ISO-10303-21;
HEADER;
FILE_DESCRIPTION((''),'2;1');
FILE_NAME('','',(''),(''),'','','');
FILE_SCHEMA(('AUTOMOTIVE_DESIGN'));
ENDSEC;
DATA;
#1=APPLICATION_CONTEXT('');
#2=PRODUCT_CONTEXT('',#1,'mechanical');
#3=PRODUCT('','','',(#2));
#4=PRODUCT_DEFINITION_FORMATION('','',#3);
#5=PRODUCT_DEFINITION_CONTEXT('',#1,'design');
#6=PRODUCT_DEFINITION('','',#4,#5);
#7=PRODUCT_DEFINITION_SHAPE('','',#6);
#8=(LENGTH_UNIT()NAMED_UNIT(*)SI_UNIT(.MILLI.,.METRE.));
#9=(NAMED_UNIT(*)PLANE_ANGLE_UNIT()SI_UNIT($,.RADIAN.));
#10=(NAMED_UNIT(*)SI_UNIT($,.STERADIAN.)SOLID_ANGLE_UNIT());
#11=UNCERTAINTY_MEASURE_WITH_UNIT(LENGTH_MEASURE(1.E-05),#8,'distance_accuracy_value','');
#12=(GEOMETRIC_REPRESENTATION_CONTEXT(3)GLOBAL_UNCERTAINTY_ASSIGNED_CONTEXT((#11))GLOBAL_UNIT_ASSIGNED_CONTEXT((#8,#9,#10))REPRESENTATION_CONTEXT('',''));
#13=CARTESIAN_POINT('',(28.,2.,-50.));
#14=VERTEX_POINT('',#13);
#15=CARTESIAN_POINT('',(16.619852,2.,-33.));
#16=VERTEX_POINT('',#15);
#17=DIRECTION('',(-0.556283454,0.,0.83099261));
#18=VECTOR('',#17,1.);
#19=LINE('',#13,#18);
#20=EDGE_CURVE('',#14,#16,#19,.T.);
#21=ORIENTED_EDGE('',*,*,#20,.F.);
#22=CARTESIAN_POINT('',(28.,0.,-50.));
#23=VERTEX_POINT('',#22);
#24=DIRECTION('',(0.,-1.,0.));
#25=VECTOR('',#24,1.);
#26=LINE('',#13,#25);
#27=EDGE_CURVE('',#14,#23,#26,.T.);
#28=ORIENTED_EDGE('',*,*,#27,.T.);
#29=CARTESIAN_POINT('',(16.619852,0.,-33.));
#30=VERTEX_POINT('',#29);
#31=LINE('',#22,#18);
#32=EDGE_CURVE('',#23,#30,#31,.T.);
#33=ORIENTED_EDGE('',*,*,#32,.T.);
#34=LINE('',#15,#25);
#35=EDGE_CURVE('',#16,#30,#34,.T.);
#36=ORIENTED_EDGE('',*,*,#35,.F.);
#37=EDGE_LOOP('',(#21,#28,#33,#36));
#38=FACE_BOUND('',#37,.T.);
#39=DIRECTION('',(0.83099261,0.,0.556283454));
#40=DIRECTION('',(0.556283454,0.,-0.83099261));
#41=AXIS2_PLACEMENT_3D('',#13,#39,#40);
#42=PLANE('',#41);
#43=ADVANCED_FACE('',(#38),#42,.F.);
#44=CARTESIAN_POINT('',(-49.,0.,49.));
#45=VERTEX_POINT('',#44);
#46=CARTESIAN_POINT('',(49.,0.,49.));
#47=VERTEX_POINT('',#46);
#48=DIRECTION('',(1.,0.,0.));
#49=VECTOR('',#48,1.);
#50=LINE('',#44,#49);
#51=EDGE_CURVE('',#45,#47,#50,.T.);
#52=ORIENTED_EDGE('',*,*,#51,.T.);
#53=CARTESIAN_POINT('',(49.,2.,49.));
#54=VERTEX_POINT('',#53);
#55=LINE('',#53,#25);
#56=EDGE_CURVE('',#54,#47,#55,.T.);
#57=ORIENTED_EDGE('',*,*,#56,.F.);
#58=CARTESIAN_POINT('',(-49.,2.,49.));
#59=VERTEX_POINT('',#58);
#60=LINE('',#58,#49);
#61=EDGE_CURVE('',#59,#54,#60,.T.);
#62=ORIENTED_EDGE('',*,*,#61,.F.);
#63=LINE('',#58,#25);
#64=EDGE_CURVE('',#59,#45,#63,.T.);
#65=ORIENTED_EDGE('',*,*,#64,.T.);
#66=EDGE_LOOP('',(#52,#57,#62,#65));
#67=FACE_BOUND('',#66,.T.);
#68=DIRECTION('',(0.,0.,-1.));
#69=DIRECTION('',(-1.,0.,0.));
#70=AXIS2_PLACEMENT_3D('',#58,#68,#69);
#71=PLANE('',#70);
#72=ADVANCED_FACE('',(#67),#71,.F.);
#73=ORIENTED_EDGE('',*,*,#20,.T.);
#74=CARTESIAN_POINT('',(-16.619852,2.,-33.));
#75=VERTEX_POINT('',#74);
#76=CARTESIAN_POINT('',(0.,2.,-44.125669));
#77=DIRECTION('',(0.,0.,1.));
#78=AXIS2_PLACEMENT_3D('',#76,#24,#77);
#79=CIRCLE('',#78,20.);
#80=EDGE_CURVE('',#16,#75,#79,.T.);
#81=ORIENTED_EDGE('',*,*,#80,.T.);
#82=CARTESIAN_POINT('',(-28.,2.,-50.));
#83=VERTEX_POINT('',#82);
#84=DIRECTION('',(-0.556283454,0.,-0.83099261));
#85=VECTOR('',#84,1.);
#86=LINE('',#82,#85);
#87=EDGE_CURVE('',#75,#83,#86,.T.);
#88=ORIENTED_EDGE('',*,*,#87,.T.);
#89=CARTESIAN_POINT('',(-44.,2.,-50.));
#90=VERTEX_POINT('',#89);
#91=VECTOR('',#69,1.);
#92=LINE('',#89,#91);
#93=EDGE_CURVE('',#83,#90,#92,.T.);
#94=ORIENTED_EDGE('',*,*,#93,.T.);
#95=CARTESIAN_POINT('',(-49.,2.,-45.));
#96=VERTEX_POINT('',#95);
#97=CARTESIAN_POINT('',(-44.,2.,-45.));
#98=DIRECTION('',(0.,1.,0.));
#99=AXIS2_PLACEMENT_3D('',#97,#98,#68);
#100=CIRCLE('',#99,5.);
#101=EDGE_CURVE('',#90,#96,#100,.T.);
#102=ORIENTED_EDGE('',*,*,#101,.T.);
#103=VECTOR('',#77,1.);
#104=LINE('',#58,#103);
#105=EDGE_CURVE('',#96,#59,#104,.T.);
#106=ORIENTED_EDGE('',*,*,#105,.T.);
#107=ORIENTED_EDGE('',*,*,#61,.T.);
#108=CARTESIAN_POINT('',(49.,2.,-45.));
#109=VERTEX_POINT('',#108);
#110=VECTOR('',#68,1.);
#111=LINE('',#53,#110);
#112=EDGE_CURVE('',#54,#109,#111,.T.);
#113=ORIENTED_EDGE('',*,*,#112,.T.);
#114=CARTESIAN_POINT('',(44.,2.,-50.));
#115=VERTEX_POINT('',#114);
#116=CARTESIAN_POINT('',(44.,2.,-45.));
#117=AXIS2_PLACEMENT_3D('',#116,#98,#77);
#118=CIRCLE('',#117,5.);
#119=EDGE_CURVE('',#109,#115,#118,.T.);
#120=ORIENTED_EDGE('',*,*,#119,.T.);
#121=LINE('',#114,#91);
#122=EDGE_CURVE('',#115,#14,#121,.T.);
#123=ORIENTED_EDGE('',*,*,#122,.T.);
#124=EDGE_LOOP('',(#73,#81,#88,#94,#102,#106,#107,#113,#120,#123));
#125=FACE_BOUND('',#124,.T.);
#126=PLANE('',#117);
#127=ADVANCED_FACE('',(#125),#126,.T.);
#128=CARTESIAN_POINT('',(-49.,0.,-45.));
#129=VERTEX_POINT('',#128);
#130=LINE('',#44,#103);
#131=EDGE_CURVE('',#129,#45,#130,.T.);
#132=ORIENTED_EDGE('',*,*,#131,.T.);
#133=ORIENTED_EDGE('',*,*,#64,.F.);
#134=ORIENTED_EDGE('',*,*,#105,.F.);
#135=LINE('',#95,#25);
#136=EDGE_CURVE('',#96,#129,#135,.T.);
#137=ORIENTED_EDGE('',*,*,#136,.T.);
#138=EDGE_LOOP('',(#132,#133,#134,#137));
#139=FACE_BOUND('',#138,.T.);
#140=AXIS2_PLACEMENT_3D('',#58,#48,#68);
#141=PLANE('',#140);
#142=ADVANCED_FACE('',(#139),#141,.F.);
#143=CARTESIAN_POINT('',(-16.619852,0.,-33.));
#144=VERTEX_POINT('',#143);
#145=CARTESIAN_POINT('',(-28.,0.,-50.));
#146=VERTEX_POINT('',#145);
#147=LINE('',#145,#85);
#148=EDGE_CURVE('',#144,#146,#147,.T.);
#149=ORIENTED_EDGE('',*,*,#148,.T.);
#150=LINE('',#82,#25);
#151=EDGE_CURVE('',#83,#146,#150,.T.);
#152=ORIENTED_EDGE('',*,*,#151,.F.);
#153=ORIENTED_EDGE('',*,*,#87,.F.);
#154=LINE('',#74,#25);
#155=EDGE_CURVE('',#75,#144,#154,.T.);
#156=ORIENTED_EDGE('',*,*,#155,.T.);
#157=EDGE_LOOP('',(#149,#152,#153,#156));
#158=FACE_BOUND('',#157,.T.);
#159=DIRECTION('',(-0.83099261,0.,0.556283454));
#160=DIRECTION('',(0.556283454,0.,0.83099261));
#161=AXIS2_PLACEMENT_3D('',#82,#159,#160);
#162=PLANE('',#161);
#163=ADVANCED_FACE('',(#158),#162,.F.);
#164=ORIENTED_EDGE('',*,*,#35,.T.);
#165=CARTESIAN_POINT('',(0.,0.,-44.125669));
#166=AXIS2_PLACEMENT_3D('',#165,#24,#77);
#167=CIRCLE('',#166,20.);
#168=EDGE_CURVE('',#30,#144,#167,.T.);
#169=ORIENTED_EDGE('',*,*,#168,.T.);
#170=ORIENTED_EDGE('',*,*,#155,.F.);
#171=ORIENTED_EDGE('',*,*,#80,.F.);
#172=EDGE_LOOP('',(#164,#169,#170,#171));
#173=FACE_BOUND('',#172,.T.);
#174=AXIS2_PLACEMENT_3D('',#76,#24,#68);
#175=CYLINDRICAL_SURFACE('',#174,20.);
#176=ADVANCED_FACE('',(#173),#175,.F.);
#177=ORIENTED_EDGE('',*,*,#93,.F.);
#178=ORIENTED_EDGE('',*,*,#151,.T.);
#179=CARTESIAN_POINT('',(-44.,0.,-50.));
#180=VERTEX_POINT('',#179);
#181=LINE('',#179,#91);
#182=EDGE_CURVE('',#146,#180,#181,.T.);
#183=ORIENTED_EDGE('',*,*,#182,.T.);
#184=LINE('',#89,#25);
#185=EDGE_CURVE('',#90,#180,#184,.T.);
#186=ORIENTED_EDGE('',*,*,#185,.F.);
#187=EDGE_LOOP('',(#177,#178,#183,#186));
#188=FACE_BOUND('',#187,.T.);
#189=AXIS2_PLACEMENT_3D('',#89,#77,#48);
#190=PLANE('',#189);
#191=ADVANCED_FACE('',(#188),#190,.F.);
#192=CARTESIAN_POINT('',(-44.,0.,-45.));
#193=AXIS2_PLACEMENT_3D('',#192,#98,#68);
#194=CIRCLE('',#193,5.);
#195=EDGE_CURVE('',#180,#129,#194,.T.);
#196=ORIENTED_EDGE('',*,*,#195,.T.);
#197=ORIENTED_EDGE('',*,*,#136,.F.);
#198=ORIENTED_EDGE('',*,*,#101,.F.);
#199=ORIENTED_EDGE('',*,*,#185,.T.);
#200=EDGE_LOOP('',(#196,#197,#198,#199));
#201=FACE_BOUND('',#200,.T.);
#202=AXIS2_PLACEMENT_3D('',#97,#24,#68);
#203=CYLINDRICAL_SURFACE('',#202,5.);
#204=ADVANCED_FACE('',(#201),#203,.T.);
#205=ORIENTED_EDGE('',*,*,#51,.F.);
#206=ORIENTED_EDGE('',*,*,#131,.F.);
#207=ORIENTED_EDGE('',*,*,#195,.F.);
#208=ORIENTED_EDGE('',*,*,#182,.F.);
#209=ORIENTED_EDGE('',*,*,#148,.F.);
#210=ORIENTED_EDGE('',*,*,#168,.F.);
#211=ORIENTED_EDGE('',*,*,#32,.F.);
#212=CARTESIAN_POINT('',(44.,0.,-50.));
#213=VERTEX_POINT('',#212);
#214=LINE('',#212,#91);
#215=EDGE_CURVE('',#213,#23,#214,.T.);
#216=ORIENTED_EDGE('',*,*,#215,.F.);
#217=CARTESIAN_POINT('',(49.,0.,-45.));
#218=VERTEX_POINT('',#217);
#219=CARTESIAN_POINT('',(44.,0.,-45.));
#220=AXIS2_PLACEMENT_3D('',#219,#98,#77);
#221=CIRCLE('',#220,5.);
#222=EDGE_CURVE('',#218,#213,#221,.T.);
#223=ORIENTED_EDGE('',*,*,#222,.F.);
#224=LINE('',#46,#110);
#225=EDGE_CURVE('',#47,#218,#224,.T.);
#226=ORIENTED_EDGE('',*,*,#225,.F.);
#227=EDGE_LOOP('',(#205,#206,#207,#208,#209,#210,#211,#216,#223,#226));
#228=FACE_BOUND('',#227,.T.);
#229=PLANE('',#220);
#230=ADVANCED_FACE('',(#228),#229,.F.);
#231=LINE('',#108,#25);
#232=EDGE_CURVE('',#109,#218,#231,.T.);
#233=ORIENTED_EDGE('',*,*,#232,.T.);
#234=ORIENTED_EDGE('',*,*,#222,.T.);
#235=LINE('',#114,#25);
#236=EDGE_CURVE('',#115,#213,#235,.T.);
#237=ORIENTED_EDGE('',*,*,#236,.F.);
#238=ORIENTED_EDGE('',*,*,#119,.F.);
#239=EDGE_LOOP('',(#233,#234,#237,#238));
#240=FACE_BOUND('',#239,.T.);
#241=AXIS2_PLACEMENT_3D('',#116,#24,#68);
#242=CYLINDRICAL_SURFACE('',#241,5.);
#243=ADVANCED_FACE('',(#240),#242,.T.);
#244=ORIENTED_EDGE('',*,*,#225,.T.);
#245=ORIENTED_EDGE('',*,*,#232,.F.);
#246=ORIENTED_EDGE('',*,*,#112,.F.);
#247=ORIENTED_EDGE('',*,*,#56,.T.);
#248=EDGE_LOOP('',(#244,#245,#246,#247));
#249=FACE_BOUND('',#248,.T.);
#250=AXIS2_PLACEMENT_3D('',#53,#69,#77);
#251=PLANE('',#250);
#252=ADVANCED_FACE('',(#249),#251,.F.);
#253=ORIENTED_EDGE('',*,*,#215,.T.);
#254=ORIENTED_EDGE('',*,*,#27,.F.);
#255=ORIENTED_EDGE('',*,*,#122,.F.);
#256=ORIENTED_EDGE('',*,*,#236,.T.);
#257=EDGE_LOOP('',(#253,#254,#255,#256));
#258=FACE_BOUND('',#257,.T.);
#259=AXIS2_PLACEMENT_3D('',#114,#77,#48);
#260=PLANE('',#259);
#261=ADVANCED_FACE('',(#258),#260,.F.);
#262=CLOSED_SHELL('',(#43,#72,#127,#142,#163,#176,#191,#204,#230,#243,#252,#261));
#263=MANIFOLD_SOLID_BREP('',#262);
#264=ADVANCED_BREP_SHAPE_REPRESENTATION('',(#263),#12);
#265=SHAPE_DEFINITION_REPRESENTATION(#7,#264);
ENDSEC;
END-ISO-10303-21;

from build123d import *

# Parameters (mm, degrees)
AUFSATZ_LINEAR_AUSTRAGEN2_DEPTH = 2


with BuildPart() as part:
    # Skizze2 → Aufsatz-Linear austragen2 (new body)
    with BuildSketch(Plane(origin=(0, 0, 0), x_dir=(1, 0, 0), z_dir=(0, 1, 0))):
        with BuildLine():
            Line((-44, 50), (-28, 50))
            Line((-28, 50), (-16.61985221, 33))
            ThreePointArc((-16.61985221, 33), (0, 24.125669082), (16.61985221, 33))
            Line((16.61985221, 33), (28, 50))
            Line((28, 50), (44, 50))
            ThreePointArc((44, 50), (47.535533906, 48.535533906), (49, 45))
            Line((49, 45), (49, -49))
            Line((49, -49), (-49, -49))
            Line((-49, -49), (-49, 45))
            ThreePointArc((-49, 45), (-47.535533906, 48.535533906), (-44, 50))
        make_face()
    extrude(amount=AUFSATZ_LINEAR_AUSTRAGEN2_DEPTH)


solid = part.part
